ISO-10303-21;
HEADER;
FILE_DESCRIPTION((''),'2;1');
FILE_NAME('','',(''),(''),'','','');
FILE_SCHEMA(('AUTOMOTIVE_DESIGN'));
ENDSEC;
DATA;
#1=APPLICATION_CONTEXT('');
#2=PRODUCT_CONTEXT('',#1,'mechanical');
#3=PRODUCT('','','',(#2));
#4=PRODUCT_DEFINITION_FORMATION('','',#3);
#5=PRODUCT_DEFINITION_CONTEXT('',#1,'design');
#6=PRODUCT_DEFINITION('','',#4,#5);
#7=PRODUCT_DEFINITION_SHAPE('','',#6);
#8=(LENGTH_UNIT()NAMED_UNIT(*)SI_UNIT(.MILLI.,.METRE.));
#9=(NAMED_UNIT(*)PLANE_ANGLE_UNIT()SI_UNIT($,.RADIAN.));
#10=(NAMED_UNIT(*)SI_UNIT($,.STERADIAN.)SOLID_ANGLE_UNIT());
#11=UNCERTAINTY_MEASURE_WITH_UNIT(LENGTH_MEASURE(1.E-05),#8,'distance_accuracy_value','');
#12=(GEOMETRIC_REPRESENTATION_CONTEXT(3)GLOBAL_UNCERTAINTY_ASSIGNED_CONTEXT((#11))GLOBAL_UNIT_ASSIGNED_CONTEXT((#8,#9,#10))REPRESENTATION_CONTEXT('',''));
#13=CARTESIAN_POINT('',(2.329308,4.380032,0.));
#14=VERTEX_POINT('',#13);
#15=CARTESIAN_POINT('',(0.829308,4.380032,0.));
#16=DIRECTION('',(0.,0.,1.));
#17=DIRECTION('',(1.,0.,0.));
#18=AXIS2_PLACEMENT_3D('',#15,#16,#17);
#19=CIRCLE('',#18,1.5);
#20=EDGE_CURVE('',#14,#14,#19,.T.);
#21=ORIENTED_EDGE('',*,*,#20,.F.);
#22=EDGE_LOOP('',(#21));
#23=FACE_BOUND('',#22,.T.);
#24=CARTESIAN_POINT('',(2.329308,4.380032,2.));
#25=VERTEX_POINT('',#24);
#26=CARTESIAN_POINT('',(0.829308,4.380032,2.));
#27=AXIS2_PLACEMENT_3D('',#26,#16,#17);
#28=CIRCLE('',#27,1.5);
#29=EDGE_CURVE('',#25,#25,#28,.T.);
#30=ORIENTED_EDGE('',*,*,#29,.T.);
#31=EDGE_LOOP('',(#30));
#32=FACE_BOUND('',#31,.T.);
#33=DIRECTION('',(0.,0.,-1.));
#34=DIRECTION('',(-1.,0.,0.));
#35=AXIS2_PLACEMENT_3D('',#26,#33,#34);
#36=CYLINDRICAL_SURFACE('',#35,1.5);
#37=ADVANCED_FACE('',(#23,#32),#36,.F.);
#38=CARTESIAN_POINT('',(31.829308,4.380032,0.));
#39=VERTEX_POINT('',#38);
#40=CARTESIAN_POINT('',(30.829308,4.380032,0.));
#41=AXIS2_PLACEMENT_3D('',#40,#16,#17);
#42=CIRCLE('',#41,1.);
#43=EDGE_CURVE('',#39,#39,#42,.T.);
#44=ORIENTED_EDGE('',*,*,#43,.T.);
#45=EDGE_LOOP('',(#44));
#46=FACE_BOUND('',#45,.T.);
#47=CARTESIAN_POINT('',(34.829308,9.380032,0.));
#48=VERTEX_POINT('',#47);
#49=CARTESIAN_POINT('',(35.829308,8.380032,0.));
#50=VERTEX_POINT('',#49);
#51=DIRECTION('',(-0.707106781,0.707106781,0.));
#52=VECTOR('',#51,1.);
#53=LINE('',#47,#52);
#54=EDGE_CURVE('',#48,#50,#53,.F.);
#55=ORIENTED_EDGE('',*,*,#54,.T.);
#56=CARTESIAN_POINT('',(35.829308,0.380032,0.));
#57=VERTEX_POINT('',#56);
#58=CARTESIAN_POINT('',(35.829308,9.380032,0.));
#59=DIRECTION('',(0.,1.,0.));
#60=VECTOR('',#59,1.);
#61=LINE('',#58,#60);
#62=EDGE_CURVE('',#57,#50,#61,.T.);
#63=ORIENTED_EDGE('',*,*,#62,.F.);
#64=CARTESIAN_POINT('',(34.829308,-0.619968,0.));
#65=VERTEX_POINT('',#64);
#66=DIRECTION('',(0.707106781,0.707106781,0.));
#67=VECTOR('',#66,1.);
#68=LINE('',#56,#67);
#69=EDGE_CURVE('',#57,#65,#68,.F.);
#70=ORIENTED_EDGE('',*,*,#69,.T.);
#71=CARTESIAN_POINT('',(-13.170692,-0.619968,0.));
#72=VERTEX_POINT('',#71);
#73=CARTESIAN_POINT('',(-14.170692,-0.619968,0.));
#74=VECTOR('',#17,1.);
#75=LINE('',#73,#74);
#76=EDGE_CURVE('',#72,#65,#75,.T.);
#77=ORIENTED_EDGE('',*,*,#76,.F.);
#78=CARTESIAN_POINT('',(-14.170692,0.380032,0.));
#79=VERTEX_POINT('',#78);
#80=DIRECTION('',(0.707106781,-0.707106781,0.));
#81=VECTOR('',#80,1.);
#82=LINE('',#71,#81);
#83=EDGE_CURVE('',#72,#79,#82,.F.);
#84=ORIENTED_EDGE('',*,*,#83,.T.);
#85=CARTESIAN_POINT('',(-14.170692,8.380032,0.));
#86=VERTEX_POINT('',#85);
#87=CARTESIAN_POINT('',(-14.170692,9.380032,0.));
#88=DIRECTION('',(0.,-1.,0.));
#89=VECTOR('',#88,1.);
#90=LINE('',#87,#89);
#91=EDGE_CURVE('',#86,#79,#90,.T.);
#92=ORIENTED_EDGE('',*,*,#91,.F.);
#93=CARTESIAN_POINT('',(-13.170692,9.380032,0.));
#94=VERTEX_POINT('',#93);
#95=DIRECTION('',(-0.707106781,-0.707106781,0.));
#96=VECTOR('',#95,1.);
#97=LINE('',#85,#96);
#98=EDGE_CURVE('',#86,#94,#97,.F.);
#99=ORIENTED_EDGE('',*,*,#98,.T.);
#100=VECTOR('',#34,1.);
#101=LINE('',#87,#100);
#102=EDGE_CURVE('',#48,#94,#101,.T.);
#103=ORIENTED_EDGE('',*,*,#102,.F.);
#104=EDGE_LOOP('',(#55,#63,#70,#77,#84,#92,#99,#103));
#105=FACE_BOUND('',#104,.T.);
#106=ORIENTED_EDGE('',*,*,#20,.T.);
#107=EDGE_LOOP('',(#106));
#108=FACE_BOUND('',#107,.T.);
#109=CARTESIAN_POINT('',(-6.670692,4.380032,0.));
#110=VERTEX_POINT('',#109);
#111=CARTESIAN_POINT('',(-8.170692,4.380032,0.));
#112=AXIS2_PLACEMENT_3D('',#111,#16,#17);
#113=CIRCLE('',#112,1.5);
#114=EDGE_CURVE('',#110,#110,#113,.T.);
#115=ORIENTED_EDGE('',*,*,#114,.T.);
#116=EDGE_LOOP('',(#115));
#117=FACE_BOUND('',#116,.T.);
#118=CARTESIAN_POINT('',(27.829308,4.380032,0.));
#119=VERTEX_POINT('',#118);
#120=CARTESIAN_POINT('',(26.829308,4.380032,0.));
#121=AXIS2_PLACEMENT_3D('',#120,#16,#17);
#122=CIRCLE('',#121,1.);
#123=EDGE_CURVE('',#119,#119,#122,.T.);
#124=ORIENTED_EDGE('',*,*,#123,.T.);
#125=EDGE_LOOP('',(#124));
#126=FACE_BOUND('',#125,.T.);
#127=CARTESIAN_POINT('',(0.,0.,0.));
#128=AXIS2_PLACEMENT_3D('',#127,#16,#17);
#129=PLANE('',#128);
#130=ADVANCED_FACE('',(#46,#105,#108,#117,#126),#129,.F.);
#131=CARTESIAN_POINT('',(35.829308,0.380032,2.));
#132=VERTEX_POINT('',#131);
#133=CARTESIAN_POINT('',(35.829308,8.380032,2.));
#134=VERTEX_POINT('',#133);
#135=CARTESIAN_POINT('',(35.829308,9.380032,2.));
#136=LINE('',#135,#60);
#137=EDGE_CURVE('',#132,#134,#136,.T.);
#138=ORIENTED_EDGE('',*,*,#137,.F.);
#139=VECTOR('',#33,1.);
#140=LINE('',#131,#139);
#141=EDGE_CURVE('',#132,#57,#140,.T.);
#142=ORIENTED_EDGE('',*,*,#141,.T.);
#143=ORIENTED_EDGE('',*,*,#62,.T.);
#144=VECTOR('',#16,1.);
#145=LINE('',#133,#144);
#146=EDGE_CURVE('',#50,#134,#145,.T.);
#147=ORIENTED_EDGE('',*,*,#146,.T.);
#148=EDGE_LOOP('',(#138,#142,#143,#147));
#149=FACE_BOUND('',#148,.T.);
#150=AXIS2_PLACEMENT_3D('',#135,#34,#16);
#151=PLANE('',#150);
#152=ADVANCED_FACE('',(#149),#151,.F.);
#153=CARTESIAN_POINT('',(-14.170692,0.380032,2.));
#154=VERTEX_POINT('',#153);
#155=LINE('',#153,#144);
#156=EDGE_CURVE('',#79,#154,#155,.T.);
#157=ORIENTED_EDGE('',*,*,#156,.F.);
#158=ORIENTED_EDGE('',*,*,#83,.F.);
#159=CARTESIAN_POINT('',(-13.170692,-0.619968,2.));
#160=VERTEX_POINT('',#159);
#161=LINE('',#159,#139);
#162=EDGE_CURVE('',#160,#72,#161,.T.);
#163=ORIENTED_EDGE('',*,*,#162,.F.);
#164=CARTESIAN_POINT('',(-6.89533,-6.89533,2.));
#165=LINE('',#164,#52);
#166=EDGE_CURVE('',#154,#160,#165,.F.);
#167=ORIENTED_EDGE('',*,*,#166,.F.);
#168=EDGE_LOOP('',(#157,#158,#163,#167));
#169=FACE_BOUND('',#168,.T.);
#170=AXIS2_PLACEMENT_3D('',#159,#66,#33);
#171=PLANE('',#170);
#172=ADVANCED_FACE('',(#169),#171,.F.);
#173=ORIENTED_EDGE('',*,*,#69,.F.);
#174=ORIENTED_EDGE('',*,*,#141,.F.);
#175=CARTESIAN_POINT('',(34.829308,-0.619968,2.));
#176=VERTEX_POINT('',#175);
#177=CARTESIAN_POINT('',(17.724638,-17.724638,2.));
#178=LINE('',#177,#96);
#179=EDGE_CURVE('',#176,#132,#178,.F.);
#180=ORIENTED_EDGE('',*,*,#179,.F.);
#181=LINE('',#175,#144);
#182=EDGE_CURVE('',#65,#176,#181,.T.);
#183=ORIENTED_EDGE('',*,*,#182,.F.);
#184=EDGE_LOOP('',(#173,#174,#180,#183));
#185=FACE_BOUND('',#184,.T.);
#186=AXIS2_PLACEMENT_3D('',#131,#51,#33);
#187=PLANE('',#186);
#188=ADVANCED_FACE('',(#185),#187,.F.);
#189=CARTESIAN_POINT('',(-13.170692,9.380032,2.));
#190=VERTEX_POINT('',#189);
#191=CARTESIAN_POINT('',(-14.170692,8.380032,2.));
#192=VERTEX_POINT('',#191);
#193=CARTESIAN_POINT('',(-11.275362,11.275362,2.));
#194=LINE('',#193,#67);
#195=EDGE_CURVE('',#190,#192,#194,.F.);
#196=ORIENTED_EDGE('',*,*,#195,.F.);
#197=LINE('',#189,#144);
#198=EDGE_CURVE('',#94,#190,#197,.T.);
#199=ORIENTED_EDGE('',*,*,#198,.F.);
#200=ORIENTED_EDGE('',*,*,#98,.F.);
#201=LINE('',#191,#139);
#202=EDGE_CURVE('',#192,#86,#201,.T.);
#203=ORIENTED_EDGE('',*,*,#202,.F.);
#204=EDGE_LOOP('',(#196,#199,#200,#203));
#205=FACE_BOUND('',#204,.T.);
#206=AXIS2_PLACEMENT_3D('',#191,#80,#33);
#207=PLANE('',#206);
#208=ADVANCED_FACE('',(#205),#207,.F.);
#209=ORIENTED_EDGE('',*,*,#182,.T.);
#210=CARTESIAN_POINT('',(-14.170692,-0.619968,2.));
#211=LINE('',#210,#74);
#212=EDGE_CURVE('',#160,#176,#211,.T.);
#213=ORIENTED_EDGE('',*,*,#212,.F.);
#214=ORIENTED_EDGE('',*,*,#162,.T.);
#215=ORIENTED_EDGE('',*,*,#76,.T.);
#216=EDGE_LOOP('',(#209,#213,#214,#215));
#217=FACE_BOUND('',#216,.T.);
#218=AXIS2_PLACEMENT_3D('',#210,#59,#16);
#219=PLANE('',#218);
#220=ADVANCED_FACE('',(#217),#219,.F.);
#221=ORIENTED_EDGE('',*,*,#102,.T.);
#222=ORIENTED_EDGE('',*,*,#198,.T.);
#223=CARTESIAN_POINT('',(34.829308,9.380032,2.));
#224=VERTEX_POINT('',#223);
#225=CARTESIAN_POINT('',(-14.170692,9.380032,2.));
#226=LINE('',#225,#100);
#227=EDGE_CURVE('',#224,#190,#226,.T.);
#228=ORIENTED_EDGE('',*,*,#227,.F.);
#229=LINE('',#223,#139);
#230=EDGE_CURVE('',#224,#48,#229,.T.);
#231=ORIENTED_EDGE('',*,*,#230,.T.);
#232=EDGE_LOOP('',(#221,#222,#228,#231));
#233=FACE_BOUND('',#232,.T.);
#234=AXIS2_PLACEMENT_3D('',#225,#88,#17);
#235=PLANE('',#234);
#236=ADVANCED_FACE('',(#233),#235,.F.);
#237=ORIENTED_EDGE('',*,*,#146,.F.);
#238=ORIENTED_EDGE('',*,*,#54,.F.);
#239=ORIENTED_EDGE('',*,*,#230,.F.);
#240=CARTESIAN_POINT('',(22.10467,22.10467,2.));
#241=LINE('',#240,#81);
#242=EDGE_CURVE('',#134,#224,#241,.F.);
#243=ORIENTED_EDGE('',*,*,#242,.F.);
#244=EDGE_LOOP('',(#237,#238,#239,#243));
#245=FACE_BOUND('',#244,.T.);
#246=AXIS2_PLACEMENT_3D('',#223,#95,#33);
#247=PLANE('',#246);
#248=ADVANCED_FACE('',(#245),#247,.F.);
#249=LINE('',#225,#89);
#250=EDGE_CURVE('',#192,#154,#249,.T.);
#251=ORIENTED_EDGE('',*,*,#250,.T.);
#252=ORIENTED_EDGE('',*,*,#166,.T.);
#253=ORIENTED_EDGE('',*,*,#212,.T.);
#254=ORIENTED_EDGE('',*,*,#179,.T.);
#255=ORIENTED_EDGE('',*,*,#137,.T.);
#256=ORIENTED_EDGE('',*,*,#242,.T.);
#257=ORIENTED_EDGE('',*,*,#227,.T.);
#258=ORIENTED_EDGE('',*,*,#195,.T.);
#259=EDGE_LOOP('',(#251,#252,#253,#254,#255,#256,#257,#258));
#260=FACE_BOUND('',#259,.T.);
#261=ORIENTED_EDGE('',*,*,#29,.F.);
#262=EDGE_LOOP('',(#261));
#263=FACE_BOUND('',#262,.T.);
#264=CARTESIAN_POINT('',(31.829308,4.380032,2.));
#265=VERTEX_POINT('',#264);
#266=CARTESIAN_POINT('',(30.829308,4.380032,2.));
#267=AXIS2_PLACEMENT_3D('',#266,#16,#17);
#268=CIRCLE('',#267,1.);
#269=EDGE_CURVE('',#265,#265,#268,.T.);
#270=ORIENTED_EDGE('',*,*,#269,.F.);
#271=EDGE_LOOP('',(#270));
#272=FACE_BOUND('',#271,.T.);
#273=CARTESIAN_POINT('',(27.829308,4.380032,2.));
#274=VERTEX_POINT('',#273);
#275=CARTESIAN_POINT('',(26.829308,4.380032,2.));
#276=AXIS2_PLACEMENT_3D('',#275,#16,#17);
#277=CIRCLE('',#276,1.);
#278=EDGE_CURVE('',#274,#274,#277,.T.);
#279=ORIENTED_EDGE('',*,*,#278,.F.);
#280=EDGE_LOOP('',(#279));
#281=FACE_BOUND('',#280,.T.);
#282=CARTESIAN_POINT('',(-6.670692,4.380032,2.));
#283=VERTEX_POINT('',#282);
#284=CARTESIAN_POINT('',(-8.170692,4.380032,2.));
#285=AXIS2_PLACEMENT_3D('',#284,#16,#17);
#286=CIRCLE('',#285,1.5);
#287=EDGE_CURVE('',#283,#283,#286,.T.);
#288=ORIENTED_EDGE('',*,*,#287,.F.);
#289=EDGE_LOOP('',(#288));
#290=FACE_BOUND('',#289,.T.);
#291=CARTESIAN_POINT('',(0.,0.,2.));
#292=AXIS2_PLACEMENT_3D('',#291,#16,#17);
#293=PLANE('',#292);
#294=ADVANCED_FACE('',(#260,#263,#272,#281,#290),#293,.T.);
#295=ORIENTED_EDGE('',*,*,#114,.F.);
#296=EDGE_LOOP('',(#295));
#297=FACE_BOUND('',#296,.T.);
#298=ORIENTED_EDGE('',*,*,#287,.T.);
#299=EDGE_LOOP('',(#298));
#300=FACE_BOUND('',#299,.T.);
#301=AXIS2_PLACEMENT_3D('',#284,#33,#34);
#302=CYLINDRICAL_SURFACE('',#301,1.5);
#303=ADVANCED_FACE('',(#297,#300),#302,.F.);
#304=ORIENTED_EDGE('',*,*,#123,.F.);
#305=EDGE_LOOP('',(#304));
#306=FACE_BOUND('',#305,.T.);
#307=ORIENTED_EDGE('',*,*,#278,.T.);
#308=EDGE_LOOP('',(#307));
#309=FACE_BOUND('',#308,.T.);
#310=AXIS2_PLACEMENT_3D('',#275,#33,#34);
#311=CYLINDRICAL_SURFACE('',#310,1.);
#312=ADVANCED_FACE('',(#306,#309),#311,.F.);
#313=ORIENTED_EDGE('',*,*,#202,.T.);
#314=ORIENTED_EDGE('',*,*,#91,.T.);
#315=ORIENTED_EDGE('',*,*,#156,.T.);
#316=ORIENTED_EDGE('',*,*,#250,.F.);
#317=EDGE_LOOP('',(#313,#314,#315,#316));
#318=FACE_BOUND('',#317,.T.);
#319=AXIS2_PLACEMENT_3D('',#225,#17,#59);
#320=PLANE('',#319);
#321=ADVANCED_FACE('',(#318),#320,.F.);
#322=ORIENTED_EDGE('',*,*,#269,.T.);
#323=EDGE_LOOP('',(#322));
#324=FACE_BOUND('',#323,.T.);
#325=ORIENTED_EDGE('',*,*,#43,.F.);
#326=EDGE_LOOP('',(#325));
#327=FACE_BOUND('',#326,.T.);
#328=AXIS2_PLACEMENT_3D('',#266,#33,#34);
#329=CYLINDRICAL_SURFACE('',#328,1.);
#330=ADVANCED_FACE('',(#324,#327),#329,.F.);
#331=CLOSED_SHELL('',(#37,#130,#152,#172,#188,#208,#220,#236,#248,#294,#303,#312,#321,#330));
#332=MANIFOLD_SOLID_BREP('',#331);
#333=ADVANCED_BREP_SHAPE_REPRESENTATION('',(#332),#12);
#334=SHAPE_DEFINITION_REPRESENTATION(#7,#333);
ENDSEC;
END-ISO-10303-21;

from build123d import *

# Parameters (mm, degrees)
SKETCH1_W           = 50
SKETCH1_H           = 10
SKETCH1_R           = 1.5
SKETCH1_R_2         = 1
BOSS_EXTRUDE1_DEPTH = 2
CHAMFER1_SIZE       = 1


with BuildPart() as part:
    # Sketch1 → Boss-Extrude1 (new body)
    with BuildSketch(Plane.XY):
        with Locations((10.829307568, 4.380032206)):
            Rectangle(SKETCH1_W, SKETCH1_H)
        with Locations((-8.170692432, 4.380032206)):
            Circle(SKETCH1_R, mode=Mode.SUBTRACT)
        with Locations((0.829307568, 4.380032206)):
            Circle(SKETCH1_R, mode=Mode.SUBTRACT)
        with Locations((26.829307568, 4.380032206)):
            Circle(SKETCH1_R_2, mode=Mode.SUBTRACT)
        with Locations((30.829307568, 4.380032206)):
            Circle(SKETCH1_R_2, mode=Mode.SUBTRACT)
    extrude(amount=BOSS_EXTRUDE1_DEPTH)

    # Chamfer1
    chamfer1_edges = [part.edges().sort_by_distance(p)[0] for p in [
        (-14.170692432, 9.380032206, 1),
        (35.829307568, 9.380032206, 1),
        (35.829307568, -0.619967794, 1),
        (-14.170692432, -0.619967794, 1),
    ]]
    chamfer(chamfer1_edges, length=CHAMFER1_SIZE)


solid = part.part
